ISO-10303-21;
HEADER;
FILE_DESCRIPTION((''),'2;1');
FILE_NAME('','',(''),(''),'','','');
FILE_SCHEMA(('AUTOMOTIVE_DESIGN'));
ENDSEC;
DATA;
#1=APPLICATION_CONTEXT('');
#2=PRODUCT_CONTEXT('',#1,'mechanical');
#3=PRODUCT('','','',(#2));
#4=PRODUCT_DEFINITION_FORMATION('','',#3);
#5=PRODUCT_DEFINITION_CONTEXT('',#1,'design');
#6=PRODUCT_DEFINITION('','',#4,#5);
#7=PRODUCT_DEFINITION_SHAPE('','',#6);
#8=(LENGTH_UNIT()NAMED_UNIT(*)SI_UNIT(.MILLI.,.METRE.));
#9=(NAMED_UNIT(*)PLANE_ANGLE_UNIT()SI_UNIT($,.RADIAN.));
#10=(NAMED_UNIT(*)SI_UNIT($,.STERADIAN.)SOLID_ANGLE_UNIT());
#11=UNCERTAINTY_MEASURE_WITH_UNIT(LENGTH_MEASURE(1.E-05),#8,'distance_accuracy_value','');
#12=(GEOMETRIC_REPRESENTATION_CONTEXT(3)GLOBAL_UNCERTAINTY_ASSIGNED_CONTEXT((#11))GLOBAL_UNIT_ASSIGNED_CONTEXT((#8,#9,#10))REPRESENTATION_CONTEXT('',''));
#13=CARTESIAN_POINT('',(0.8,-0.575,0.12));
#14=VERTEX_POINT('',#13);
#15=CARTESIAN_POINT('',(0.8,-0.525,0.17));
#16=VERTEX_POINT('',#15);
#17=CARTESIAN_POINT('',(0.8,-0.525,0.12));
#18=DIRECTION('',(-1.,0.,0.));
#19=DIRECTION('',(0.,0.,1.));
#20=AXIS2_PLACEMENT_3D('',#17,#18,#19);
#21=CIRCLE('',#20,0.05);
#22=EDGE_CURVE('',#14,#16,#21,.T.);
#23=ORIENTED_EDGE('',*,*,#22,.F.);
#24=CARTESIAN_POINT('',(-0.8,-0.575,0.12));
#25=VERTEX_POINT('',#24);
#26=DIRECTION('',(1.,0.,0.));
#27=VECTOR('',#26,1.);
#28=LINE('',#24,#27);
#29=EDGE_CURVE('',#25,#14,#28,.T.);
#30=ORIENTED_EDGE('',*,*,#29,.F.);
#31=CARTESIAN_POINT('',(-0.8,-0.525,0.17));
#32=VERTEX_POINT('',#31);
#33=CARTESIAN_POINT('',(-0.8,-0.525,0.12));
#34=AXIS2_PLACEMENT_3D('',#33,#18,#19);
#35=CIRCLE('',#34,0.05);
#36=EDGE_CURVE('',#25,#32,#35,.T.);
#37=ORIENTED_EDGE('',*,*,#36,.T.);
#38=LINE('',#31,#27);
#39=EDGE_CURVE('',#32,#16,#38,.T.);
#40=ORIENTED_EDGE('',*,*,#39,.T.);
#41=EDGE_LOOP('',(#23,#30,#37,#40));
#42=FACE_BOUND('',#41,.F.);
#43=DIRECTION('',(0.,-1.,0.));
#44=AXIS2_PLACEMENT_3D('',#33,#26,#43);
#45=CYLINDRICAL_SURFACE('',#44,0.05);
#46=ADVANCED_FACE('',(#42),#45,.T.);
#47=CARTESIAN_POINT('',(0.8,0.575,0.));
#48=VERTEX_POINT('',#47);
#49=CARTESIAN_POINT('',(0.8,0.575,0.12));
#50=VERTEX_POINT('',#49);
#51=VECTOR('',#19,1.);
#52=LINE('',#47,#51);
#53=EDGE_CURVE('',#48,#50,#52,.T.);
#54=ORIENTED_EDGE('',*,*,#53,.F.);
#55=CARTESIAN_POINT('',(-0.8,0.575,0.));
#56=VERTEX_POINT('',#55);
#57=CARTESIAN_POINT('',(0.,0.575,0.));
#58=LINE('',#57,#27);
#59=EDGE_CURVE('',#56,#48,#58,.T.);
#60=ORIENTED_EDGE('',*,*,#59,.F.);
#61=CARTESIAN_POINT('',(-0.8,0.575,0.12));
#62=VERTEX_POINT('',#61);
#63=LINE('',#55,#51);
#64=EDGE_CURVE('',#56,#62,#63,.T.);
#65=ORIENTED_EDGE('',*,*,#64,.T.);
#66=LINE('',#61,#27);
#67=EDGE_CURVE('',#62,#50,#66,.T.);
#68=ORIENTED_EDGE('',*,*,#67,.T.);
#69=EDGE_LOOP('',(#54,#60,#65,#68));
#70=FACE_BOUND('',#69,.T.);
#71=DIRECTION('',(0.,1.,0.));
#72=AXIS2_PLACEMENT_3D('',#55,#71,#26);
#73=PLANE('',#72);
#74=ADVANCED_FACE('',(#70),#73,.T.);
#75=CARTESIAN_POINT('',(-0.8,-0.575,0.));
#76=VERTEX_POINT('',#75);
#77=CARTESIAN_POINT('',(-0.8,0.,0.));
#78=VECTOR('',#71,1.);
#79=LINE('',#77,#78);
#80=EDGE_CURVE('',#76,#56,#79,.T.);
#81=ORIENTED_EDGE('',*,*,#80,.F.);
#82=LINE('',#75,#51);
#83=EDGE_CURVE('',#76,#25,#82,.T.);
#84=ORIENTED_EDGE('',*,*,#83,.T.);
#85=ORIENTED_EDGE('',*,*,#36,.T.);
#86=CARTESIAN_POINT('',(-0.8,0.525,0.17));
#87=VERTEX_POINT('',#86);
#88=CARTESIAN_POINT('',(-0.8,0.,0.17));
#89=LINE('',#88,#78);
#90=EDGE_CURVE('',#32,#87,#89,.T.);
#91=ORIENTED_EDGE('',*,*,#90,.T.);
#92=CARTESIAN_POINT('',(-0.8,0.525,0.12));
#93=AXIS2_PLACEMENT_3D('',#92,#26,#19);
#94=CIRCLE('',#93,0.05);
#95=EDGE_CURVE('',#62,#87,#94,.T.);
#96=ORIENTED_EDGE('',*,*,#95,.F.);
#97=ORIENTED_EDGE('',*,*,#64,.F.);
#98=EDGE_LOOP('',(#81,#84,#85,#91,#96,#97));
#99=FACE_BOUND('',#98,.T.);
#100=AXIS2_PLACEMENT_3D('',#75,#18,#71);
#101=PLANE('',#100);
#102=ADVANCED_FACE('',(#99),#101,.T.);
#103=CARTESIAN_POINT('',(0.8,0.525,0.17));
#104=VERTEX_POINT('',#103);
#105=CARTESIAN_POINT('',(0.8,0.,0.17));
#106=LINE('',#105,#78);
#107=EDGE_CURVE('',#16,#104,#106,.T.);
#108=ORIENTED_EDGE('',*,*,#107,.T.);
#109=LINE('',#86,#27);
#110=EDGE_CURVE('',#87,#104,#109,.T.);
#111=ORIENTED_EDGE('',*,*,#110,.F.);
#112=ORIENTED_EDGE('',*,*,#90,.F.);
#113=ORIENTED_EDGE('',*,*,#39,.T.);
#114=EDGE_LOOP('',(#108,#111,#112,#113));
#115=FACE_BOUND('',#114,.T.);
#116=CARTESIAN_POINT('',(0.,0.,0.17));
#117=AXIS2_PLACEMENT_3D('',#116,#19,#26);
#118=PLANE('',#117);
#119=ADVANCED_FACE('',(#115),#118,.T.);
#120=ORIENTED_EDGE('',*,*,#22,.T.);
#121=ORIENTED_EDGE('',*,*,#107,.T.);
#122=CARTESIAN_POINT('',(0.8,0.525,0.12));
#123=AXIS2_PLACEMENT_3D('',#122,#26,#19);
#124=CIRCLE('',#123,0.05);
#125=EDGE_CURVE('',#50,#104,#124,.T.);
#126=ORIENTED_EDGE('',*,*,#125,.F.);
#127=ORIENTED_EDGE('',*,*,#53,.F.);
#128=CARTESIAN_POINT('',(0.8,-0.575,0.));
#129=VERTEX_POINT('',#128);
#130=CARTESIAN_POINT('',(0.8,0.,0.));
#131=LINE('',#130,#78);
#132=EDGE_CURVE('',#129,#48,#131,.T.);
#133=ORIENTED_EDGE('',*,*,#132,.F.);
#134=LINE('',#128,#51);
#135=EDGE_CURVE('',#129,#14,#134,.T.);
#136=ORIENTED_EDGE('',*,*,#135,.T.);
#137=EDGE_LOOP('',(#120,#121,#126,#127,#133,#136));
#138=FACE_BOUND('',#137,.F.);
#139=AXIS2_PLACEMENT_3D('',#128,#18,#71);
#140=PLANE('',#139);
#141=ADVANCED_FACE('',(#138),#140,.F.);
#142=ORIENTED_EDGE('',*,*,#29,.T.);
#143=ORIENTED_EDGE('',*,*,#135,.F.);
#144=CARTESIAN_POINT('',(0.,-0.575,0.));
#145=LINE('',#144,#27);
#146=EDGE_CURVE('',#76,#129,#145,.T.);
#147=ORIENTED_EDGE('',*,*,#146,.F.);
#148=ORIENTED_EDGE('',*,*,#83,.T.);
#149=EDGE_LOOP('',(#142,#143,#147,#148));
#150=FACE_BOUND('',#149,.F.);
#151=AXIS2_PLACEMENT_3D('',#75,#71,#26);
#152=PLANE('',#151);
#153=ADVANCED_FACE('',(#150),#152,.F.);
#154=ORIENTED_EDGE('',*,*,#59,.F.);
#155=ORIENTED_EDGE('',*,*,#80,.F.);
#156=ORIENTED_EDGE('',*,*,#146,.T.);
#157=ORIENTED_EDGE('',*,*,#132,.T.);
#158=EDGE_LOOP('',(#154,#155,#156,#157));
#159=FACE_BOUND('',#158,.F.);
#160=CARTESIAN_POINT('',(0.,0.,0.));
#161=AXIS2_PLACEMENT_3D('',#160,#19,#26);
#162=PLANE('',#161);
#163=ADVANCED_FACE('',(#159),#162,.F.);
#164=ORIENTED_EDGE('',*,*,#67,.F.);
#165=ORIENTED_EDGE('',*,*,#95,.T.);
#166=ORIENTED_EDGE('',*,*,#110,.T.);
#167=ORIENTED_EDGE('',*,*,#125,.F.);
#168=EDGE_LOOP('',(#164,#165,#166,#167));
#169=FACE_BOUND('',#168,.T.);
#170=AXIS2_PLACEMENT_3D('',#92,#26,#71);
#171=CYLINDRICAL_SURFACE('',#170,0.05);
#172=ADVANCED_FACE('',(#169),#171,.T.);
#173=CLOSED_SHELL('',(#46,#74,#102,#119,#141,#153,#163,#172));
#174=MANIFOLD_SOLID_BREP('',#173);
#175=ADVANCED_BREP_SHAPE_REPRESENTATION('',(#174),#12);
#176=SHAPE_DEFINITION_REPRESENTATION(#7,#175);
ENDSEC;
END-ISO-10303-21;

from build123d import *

# Parameters (mm, degrees)
SKETCH_W  = 1.6
SKETCH_H  = 1.15
PAD_DEPTH = 0.17
FILLET_R  = 0.05


with BuildPart() as part:
    # Sketch → Pad (new body)
    with BuildSketch(Plane.XY):
        Rectangle(SKETCH_W, SKETCH_H)
    extrude(amount=PAD_DEPTH)

    # Fillet
    fillet_edges = [part.edges().sort_by_distance(p)[0] for p in [
        (0, -0.575, 0.17),
        (0, 0.575, 0.17),
    ]]
    fillet(fillet_edges, radius=FILLET_R)


solid = part.part
